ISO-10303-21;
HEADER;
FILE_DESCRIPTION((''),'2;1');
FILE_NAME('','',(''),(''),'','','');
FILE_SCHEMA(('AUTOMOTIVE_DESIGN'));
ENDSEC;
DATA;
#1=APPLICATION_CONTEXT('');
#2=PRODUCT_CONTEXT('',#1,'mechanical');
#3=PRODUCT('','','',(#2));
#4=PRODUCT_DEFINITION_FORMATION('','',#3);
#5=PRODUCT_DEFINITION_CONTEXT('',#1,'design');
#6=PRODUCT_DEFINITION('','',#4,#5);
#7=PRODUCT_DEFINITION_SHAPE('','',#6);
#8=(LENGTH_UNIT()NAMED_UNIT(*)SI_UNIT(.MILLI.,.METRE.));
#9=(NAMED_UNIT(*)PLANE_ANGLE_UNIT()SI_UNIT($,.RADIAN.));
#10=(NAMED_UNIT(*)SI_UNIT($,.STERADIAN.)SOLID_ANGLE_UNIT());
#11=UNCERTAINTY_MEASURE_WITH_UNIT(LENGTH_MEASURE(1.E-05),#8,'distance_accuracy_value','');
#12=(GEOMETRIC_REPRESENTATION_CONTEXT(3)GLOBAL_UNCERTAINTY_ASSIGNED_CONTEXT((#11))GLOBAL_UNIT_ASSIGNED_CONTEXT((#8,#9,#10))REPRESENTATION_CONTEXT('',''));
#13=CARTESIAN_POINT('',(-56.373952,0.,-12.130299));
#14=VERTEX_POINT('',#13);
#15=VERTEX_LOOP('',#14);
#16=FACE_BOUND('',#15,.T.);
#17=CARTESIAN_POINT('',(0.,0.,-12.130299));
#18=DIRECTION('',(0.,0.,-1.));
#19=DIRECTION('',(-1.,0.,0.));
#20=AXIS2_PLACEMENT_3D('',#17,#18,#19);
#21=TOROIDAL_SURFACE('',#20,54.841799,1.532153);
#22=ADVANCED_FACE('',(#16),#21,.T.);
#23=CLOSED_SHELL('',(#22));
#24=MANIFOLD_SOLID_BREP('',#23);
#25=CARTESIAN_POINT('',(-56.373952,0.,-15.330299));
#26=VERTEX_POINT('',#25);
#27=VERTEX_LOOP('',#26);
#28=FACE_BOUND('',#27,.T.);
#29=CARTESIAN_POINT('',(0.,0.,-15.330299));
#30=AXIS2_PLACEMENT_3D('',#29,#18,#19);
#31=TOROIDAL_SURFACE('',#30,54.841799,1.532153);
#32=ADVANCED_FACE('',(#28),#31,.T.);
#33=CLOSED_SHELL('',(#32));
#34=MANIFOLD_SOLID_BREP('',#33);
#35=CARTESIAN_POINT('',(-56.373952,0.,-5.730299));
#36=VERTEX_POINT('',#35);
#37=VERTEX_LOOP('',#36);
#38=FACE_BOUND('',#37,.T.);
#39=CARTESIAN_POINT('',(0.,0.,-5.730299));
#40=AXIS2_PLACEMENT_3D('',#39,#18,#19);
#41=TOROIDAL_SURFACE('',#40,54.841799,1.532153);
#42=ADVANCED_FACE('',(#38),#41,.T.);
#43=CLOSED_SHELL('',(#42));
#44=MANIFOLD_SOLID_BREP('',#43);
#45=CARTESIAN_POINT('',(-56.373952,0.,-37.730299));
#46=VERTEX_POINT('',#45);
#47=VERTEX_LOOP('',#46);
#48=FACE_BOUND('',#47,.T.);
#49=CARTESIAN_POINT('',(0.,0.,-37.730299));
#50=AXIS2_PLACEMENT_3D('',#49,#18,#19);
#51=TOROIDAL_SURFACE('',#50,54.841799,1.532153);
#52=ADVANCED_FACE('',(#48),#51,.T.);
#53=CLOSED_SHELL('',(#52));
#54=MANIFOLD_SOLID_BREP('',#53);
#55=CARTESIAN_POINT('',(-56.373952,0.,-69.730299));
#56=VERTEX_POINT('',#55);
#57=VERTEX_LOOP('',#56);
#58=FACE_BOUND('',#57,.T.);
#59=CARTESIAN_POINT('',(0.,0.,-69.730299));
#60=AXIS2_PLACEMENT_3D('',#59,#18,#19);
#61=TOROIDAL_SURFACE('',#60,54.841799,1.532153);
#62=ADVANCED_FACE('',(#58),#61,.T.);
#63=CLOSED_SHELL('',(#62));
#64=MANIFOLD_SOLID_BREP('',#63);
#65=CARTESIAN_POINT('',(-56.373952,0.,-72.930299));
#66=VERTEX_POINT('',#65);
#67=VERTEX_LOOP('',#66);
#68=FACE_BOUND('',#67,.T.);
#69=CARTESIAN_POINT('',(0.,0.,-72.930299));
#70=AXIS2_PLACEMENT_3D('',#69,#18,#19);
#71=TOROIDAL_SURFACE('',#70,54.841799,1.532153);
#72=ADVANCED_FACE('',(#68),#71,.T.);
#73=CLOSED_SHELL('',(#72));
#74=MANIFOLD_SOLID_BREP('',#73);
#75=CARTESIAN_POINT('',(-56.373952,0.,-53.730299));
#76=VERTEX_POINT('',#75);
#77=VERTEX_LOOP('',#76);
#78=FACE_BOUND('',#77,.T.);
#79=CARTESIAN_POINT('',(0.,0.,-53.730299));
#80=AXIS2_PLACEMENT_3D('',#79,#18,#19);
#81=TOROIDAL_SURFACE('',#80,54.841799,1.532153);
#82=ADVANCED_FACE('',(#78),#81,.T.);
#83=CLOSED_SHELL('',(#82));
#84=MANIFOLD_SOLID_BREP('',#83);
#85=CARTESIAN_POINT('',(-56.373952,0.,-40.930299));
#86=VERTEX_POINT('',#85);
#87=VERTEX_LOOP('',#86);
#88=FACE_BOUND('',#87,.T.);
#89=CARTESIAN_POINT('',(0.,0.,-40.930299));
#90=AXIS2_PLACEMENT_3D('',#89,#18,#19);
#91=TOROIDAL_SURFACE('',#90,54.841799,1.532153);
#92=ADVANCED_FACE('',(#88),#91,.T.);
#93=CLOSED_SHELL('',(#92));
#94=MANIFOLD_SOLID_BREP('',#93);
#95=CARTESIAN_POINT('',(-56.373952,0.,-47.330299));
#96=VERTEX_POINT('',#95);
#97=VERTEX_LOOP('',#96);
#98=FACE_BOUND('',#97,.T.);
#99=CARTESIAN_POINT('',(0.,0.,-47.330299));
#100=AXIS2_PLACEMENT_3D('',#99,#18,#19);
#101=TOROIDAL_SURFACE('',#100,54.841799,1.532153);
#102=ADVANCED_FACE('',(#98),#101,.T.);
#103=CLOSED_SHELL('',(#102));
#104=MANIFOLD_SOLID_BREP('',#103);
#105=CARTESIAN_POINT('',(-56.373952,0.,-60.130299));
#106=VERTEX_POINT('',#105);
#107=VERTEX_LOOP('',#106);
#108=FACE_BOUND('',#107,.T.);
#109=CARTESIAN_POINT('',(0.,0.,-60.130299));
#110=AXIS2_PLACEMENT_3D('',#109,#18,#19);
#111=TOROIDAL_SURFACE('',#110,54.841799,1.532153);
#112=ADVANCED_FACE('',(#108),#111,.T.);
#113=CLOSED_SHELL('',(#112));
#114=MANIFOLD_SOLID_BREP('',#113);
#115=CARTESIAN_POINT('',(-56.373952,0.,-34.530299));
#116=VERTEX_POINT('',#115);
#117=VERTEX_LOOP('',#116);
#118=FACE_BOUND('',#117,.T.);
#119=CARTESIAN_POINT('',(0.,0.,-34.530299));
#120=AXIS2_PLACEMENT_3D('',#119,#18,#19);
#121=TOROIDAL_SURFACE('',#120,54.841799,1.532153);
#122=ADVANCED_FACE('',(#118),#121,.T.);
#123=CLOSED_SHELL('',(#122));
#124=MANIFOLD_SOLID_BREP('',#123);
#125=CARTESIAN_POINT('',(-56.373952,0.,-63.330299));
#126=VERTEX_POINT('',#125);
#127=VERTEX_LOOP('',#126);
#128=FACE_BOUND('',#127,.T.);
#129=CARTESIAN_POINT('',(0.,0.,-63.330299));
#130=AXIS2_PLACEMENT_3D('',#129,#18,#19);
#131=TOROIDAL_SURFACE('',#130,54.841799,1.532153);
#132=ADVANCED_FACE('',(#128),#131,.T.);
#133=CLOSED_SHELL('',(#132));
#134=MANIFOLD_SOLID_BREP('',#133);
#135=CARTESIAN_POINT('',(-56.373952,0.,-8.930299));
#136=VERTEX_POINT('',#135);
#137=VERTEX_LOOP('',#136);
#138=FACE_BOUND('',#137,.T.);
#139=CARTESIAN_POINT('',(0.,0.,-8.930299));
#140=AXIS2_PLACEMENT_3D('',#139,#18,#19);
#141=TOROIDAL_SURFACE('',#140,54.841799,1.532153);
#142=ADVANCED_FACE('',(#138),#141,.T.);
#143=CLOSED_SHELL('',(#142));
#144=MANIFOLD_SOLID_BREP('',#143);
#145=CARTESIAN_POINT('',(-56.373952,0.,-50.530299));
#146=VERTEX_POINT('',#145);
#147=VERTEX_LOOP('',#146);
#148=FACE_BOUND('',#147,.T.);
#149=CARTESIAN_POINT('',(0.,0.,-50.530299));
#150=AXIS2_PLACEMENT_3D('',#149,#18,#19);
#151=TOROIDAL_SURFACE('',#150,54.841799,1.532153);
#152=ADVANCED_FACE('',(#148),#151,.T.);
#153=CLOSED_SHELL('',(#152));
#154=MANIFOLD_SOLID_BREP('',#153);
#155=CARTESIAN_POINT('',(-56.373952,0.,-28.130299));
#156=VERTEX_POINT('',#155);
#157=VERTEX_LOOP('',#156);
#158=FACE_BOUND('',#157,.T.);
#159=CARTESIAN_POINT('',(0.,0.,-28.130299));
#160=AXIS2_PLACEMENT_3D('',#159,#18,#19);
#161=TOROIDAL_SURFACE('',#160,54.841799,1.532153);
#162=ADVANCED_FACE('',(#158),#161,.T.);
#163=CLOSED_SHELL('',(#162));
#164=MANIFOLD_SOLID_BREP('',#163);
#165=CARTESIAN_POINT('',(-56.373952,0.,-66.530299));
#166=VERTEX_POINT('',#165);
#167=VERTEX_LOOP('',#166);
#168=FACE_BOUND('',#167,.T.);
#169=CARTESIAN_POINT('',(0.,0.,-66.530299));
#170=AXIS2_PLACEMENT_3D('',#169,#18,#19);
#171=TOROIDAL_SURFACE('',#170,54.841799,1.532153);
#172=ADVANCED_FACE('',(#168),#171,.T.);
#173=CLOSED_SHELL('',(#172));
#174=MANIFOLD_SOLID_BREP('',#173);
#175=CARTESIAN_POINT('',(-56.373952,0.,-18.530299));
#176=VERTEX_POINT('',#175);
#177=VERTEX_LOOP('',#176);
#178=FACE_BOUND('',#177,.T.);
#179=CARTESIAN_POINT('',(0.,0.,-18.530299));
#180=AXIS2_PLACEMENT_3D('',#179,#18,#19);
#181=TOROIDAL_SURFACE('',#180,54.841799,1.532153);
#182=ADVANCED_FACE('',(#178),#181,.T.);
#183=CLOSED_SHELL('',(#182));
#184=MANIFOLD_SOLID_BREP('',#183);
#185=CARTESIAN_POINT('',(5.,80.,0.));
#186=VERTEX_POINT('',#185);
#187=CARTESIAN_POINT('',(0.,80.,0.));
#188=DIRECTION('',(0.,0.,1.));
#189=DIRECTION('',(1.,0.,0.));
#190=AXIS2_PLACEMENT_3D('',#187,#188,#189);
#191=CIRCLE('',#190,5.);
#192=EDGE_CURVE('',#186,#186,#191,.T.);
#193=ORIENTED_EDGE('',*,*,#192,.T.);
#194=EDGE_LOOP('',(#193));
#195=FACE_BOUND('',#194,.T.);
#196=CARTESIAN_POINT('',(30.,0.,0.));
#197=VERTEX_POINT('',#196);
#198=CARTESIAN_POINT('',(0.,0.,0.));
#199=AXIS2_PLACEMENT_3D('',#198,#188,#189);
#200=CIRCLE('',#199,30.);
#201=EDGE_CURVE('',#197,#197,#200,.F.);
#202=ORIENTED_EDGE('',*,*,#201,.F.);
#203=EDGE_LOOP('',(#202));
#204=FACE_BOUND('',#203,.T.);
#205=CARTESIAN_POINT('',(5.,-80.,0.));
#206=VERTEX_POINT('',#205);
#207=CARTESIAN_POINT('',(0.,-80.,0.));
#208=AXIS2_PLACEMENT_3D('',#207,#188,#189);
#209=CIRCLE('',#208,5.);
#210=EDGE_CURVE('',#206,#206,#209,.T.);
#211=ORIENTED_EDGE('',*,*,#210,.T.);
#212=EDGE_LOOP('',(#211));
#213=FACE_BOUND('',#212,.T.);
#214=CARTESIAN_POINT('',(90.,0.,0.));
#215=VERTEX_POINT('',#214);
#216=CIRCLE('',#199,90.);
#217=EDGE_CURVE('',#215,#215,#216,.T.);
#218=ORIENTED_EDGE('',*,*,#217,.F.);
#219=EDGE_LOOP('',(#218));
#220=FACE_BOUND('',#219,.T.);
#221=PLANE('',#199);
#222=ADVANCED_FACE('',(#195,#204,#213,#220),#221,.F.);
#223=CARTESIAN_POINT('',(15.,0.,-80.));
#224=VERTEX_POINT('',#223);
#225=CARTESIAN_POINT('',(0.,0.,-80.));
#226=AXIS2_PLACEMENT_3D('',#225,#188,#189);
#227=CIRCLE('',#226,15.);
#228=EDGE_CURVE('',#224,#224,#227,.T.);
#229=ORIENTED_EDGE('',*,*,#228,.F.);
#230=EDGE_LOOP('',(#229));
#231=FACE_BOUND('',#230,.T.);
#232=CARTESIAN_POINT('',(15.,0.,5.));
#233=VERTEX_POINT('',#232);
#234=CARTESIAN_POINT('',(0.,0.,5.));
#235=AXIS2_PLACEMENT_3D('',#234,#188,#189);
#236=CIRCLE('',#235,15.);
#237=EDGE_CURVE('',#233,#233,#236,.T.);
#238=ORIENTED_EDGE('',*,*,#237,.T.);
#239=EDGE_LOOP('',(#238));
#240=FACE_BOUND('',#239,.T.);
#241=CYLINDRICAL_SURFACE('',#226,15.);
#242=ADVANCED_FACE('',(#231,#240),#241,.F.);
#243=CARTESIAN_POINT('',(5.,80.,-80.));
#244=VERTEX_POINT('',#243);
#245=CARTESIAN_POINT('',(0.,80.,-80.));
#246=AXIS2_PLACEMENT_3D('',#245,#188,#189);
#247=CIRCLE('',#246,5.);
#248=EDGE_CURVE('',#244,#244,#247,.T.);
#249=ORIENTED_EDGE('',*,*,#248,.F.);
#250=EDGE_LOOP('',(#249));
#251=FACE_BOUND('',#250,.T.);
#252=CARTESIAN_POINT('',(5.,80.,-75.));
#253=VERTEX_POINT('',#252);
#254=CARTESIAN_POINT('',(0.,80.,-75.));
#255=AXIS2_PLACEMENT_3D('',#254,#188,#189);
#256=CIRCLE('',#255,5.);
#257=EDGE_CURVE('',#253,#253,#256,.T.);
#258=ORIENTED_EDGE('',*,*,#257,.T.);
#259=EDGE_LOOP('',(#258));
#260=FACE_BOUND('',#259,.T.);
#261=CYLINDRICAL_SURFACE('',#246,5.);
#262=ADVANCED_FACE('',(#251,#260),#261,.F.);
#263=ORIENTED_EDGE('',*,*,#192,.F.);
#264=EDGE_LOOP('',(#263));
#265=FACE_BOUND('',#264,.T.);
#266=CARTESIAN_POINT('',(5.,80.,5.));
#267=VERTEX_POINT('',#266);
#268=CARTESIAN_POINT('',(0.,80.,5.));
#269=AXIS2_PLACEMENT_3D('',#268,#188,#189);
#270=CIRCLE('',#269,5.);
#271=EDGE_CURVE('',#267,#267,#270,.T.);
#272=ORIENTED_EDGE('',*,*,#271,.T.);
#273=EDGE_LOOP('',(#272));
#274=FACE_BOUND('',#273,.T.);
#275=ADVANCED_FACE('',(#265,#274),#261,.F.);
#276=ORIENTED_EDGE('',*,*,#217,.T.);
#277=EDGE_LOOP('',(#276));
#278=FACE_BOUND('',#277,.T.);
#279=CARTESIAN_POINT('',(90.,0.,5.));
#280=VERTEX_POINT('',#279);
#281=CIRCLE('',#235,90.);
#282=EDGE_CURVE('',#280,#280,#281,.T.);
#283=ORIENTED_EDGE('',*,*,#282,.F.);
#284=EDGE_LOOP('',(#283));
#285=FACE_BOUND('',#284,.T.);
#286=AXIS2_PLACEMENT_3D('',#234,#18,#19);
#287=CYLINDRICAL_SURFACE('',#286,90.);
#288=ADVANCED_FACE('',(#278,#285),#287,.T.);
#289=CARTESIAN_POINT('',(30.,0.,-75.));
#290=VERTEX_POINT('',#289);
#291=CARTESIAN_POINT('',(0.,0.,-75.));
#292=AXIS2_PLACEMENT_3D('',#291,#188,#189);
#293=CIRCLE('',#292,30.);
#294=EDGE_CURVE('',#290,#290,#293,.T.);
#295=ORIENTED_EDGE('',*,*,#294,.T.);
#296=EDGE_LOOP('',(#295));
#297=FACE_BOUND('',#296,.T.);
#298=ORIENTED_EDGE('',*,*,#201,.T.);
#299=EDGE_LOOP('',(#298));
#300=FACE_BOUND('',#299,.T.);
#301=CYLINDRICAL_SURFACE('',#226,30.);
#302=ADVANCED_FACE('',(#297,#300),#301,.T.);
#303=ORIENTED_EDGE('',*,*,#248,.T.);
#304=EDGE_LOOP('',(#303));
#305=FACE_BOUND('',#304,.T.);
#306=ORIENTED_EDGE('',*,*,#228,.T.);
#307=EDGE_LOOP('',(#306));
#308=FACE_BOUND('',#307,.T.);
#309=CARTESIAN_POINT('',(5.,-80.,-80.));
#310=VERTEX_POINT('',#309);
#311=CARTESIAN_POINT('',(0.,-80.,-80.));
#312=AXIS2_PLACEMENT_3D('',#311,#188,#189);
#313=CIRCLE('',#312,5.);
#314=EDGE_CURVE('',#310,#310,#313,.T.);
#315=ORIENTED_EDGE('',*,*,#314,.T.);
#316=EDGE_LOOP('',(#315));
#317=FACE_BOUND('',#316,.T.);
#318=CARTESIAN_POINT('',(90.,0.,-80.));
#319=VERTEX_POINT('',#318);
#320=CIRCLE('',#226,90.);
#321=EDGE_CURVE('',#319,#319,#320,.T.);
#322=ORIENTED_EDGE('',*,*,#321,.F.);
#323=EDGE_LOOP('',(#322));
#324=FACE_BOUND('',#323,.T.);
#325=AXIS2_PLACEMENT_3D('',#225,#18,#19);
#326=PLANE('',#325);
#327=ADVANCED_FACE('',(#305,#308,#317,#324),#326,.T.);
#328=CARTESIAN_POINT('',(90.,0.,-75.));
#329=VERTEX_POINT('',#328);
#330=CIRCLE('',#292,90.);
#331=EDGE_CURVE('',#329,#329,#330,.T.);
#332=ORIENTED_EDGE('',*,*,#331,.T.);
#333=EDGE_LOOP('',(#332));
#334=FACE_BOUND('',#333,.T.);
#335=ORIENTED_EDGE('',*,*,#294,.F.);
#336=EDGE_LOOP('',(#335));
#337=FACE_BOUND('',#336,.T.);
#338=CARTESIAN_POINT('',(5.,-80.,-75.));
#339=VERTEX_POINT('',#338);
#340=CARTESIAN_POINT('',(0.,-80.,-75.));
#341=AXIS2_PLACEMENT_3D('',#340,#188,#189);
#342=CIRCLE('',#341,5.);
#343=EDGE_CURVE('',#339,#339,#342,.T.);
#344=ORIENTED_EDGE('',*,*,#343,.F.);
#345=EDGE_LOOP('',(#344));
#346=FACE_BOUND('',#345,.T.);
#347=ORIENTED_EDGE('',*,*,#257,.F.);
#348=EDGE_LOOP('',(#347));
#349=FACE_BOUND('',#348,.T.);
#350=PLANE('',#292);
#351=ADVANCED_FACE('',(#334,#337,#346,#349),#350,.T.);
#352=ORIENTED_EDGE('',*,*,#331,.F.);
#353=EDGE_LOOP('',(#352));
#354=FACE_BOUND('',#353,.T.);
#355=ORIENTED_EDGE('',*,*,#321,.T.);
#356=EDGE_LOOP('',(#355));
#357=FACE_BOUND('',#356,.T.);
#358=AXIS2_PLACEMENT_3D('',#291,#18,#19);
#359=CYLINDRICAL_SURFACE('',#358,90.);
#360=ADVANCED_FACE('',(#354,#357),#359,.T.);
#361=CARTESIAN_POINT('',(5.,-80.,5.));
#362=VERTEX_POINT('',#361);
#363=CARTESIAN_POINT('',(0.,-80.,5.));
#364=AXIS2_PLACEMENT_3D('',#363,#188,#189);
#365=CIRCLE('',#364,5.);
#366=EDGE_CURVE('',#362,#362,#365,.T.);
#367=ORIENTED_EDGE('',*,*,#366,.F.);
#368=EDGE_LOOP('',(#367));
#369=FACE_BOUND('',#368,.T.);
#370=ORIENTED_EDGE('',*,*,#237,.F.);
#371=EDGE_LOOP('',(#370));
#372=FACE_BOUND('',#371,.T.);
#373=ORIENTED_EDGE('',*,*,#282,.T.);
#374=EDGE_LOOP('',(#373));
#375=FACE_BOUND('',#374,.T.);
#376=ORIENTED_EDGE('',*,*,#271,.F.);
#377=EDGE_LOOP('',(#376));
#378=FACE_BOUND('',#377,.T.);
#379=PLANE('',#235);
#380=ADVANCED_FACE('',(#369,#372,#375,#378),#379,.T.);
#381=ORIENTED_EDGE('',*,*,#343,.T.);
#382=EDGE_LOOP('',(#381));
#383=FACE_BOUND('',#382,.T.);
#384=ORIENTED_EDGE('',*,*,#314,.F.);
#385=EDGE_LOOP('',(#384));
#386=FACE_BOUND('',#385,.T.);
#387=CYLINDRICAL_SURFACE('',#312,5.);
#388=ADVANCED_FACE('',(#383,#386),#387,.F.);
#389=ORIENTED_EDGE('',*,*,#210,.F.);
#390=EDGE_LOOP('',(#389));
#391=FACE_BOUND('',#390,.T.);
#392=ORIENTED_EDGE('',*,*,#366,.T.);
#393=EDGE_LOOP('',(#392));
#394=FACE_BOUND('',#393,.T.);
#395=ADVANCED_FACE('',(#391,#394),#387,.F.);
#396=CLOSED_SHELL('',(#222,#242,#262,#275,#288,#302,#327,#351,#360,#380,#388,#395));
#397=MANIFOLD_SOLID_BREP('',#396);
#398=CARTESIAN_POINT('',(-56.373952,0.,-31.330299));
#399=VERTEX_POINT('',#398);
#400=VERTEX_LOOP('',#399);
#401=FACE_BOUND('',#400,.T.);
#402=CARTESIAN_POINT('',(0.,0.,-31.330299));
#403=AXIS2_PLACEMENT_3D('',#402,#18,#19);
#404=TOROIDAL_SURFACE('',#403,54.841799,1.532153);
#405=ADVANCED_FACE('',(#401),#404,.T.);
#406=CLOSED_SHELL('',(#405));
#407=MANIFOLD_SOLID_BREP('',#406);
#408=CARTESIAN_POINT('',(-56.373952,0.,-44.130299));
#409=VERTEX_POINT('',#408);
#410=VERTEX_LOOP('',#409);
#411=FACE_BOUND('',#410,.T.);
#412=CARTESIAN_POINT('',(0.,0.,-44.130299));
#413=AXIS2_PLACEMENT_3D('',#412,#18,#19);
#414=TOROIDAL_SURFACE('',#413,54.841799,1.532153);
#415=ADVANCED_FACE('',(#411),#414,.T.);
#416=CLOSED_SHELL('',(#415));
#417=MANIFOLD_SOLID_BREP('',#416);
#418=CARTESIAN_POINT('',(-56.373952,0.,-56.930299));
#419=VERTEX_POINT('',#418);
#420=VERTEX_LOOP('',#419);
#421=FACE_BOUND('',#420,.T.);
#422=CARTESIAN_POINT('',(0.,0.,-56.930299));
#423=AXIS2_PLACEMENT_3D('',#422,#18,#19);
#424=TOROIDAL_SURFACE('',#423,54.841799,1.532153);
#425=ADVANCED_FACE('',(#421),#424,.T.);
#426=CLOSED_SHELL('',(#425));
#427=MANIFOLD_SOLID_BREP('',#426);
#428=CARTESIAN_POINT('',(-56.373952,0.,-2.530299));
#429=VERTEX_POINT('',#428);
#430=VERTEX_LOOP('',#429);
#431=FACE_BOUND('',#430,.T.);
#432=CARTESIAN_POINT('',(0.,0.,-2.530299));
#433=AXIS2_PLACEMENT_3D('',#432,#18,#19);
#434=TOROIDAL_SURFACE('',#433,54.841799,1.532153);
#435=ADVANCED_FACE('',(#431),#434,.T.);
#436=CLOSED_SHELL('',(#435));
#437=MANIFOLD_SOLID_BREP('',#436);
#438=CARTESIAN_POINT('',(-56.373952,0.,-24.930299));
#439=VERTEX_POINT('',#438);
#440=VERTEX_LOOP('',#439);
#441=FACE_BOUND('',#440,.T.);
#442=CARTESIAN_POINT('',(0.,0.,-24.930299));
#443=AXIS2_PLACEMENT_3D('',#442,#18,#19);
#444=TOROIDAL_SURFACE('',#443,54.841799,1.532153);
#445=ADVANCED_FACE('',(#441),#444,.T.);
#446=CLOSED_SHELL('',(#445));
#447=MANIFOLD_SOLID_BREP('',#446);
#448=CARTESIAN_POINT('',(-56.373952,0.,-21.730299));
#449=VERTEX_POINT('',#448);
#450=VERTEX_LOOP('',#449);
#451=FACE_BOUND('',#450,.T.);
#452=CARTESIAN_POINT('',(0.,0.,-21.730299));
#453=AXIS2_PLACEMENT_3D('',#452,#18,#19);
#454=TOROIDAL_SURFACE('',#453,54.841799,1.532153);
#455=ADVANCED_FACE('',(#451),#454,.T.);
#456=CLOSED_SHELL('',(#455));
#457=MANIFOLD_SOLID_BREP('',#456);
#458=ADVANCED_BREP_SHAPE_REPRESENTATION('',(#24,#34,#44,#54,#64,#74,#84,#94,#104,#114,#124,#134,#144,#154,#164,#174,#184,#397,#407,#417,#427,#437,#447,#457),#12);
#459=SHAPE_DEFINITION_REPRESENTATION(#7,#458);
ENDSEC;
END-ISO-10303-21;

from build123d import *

# Parameters (mm, degrees)
SKETCH_1_R             = 90
EXTRUDE_1_DEPTH        = 5
SKETCH_2_R             = 30
EXTRUDE_2_DEPTH        = 80
PATTERN_LINEAR_1_COUNT = 2
PATTERN_LINEAR_1_PITCH = 80
SKETCH_5_R             = 1.532153127
SKETCH_6_R             = 15
SKETCH_6_R_2           = 5
CUT_EXTRUDE_1_DEPTH    = 154.05227865


with BuildPart() as part:
    # 草圖1 → 填料-伸長1 (new body)
    with BuildSketch(Plane.XY):
        Circle(SKETCH_1_R)
    extrude_1 = extrude(amount=EXTRUDE_1_DEPTH)

    # 草圖2 → 填料-伸長2 (add)
    with BuildSketch(Plane(origin=(0, 0, 0), x_dir=(-1, 0, 0), z_dir=(0, 0, -1))):
        with Locations(Location((0, 0, 0), (0, 0, 180))):
            Circle(SKETCH_2_R)
    extrude(amount=EXTRUDE_2_DEPTH)

    # 直線複製排列1: 填料-伸長1 ×2
    with Locations(*[(0, 0, -i * PATTERN_LINEAR_1_PITCH) for i in range(1, PATTERN_LINEAR_1_COUNT)]):
        add(extrude_1)

    # 草圖6 → 除料-伸長1 (cut, through all)
    with BuildSketch(Plane.XY.offset(5)):
        Circle(SKETCH_6_R)
        with Locations((0, 80)):
            Circle(SKETCH_6_R_2)
        with Locations((0, -80)):
            Circle(SKETCH_6_R_2)
    extrude(amount=-CUT_EXTRUDE_1_DEPTH, mode=Mode.SUBTRACT)


with BuildPart() as body_2:
    # 草圖5 → 旋轉2 (revolve)
    with BuildSketch(Plane(origin=(0, 0, 0), x_dir=(0, 0, -1), z_dir=(1, 0, 0)), mode=Mode.PRIVATE) as revolve_2_sk:
        with Locations((2.530298984, 54.841798539)):
            Circle(SKETCH_5_R)
        with Locations((5.730298984, 54.841798539)):
            Circle(SKETCH_5_R)
        with Locations((8.930298984, 54.841798539)):
            Circle(SKETCH_5_R)
        with Locations((12.130298984, 54.841798539)):
            Circle(SKETCH_5_R)
        with Locations((15.330298984, 54.841798539)):
            Circle(SKETCH_5_R)
        with Locations((18.530298984, 54.841798539)):
            Circle(SKETCH_5_R)
        with Locations((21.730298984, 54.841798539)):
            Circle(SKETCH_5_R)
        with Locations((24.930298984, 54.841798539)):
            Circle(SKETCH_5_R)
        with Locations((28.130298984, 54.841798539)):
            Circle(SKETCH_5_R)
        with Locations((31.330298984, 54.841798539)):
            Circle(SKETCH_5_R)
        with Locations((34.530298984, 54.841798539)):
            Circle(SKETCH_5_R)
        with Locations((37.730298984, 54.841798539)):
            Circle(SKETCH_5_R)
        with Locations((40.930298984, 54.841798539)):
            Circle(SKETCH_5_R)
        with Locations((44.130298984, 54.841798539)):
            Circle(SKETCH_5_R)
        with Locations((47.330298984, 54.841798539)):
            Circle(SKETCH_5_R)
        with Locations((50.530298984, 54.841798539)):
            Circle(SKETCH_5_R)
        with Locations((53.730298984, 54.841798539)):
            Circle(SKETCH_5_R)
        with Locations((56.930298984, 54.841798539)):
            Circle(SKETCH_5_R)
        with Locations((60.130298984, 54.841798539)):
            Circle(SKETCH_5_R)
        with Locations((63.330298984, 54.841798539)):
            Circle(SKETCH_5_R)
        with Locations((66.530298984, 54.841798539)):
            Circle(SKETCH_5_R)
        with Locations((69.730298984, 54.841798539)):
            Circle(SKETCH_5_R)
        with Locations((72.930298984, 54.841798539)):
            Circle(SKETCH_5_R)
    revolve(revolve_2_sk.sketch.rotate(Axis((0, 0, -80), (0, 0, 1)), 90), axis=Axis((0, 0, -80), (0, 0, 1)))


solid = Compound([part.part, body_2.part])
